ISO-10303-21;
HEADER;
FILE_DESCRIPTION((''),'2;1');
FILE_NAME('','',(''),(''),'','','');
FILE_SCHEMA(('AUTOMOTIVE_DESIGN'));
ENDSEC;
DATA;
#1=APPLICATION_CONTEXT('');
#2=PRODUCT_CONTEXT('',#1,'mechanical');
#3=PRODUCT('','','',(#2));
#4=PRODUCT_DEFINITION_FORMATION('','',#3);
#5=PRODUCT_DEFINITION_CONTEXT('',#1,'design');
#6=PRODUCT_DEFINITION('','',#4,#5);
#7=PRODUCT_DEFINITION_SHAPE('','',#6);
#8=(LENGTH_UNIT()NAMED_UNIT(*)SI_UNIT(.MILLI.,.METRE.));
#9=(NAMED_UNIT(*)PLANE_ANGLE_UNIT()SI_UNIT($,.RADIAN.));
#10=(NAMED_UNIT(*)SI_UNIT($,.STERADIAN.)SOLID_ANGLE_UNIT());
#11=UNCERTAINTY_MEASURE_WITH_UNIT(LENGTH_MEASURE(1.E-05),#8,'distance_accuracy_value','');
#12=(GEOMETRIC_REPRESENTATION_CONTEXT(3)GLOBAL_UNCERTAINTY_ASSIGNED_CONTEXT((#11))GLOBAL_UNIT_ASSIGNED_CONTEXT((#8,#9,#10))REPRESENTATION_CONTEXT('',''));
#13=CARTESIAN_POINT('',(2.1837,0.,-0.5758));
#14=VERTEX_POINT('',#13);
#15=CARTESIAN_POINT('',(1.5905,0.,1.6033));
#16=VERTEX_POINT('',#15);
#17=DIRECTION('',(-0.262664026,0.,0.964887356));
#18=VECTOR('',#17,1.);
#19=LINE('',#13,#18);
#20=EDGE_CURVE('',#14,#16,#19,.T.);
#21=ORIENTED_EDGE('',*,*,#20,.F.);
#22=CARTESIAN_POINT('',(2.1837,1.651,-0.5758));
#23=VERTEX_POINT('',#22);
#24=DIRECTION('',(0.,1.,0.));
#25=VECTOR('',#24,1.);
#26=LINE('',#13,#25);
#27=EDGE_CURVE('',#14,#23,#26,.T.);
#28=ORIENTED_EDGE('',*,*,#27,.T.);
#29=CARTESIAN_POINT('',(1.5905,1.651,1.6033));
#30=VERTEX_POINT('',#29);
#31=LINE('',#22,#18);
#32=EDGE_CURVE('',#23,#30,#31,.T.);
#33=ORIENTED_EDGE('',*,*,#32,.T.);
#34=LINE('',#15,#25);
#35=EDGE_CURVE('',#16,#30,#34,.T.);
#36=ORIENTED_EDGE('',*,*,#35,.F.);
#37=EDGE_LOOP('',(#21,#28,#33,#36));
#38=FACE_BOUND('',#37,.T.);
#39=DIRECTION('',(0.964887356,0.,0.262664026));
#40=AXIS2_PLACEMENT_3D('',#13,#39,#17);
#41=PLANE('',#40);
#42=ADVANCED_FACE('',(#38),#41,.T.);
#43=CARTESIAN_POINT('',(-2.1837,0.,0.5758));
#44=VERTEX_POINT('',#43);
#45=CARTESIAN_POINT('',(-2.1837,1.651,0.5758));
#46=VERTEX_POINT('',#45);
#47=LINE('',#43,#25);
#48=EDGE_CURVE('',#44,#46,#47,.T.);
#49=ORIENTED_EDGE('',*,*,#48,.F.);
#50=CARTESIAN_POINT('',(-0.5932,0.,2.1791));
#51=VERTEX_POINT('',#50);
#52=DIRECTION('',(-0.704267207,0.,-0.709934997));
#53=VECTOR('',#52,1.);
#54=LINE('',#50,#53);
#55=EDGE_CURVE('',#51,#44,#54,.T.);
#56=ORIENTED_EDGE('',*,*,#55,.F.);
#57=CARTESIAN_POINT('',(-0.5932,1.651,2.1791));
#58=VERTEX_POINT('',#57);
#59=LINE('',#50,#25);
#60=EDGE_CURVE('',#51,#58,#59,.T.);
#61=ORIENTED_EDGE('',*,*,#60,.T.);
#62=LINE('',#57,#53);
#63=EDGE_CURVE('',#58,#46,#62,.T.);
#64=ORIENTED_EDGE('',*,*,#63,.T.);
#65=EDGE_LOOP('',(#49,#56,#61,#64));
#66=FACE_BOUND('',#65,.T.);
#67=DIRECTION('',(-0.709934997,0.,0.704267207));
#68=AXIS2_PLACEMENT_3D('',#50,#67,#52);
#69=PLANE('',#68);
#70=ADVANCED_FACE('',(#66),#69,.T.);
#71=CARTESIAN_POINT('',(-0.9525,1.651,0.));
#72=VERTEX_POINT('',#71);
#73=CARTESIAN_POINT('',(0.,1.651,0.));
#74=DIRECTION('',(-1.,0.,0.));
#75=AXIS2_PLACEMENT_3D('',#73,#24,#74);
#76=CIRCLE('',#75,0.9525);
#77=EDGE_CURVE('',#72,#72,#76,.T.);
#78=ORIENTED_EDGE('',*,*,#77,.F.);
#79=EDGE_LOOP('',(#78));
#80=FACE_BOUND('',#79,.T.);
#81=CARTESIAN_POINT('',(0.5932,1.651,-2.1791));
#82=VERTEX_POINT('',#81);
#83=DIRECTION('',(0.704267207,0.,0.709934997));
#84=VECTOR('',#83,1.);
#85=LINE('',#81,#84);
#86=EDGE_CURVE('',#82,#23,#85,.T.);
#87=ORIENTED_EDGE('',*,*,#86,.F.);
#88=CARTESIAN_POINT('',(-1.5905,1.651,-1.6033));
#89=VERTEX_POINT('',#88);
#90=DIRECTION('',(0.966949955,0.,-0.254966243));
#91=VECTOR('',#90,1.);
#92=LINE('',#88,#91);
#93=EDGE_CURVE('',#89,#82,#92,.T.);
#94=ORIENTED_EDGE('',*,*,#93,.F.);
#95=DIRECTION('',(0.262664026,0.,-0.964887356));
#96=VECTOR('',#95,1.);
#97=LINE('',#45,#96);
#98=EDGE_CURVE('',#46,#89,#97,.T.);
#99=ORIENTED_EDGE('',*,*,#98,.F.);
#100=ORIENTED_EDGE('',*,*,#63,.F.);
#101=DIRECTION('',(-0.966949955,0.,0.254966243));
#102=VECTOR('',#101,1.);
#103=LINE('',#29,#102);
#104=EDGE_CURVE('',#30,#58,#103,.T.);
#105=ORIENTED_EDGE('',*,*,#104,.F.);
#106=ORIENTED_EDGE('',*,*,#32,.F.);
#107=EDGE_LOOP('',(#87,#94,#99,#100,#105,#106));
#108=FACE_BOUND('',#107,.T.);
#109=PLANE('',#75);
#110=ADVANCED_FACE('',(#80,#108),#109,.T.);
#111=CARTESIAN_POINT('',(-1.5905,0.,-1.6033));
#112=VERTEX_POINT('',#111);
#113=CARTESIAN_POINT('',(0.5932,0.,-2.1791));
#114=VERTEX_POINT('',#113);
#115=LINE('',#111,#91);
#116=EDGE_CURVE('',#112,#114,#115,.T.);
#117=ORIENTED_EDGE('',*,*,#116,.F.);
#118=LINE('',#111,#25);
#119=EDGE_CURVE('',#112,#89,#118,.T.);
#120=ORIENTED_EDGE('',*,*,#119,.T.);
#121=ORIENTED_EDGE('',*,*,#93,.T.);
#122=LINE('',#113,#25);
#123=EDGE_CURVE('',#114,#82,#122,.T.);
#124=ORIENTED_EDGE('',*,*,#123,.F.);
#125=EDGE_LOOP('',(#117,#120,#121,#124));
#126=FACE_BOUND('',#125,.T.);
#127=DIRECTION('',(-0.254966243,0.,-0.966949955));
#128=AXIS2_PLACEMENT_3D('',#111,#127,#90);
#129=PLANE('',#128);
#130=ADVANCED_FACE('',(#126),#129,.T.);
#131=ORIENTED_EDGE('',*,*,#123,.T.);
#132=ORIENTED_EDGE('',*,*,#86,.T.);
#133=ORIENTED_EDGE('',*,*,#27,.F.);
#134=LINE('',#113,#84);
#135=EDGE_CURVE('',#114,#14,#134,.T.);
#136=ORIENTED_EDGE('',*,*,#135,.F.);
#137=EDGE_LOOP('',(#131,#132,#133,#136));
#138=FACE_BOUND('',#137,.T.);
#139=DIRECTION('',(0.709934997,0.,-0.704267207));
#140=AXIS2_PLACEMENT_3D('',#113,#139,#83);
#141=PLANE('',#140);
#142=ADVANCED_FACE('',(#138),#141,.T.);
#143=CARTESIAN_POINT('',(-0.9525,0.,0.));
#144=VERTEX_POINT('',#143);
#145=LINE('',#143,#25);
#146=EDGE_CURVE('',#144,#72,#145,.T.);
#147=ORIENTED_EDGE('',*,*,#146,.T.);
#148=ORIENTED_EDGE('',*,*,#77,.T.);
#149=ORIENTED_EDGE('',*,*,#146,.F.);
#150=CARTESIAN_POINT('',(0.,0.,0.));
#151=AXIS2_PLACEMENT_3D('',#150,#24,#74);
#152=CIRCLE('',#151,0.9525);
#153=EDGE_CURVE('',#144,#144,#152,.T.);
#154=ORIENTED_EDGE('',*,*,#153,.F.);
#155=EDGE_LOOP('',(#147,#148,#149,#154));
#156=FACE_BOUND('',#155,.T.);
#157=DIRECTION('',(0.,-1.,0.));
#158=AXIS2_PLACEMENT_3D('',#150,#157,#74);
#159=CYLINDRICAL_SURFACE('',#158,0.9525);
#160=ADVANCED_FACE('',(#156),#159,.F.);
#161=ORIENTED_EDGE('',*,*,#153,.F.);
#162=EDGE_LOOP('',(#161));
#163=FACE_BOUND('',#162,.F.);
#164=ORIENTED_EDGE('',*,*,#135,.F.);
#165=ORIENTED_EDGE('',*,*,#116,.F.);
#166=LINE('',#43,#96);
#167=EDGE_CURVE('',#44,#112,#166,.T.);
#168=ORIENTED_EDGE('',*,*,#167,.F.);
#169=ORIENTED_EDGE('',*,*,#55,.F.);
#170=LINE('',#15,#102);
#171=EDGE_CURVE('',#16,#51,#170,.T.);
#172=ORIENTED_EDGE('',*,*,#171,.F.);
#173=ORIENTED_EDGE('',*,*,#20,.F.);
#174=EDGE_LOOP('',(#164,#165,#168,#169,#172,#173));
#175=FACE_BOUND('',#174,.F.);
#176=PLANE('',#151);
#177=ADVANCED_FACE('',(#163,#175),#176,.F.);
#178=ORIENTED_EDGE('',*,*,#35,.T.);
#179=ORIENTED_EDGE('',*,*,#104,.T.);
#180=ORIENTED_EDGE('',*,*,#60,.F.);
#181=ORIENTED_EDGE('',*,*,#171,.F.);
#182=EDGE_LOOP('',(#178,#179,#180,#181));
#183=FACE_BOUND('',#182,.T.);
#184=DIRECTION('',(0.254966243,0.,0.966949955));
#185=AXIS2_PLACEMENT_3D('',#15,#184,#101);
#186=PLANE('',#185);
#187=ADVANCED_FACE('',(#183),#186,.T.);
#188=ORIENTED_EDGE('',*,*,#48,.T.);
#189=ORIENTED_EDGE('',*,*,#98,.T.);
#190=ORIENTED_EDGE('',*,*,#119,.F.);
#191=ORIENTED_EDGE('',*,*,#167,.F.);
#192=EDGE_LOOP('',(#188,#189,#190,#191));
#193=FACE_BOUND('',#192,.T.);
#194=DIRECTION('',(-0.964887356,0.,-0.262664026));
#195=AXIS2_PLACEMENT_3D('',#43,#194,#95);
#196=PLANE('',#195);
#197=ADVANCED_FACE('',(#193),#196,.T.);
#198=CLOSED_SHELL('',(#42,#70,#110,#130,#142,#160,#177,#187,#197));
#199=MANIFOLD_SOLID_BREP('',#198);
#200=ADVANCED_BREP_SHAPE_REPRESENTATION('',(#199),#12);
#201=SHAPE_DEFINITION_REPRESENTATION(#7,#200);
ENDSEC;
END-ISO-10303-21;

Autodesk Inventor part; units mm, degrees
ref_plane "YZ Plane" through (0, 0, 0) normal (1, 0, 0) x (0, 1, 0)
ref_plane "XZ Plane" through (0, 0, 0) normal (0, 1, 0) x (-1, 0, 0)
ref_plane "XY Plane" through (0, 0, 0) normal (0, 0, 1) x (1, 0, 0)
sketch "Sketch1" plane through (0, 0, 0) normal (0, 1, 0) x (-1, 0, 0)
  line L0 (-1.5905, 1.6033) -> (0.5932, 2.1791)
  line L1 (0.5932, 2.1791) -> (2.1837, 0.5758)
  line L2 (2.1837, 0.5758) -> (1.5905, -1.6033)
  line L3 (1.5905, -1.6033) -> (-0.5932, -2.1791)
  line L4 (-0.5932, -2.1791) -> (-2.1837, -0.5758)
  line L5 (-2.1837, -0.5758) -> (-1.5905, 1.6033)
  circle A0 centre (0, 0) radius 0.9525
  dimension "d0" = 3.9116
  dimension "d1" = 1.905
extrude "Extrusion1" add sketch "Sketch1" along normal blind 1.651
thread "Thread1" size "0-80 UNF" class "2B" standard "ANSI Unified Screw Threads" full length
properties part number "nut for sqrew long" material "Aluminum 6061"
